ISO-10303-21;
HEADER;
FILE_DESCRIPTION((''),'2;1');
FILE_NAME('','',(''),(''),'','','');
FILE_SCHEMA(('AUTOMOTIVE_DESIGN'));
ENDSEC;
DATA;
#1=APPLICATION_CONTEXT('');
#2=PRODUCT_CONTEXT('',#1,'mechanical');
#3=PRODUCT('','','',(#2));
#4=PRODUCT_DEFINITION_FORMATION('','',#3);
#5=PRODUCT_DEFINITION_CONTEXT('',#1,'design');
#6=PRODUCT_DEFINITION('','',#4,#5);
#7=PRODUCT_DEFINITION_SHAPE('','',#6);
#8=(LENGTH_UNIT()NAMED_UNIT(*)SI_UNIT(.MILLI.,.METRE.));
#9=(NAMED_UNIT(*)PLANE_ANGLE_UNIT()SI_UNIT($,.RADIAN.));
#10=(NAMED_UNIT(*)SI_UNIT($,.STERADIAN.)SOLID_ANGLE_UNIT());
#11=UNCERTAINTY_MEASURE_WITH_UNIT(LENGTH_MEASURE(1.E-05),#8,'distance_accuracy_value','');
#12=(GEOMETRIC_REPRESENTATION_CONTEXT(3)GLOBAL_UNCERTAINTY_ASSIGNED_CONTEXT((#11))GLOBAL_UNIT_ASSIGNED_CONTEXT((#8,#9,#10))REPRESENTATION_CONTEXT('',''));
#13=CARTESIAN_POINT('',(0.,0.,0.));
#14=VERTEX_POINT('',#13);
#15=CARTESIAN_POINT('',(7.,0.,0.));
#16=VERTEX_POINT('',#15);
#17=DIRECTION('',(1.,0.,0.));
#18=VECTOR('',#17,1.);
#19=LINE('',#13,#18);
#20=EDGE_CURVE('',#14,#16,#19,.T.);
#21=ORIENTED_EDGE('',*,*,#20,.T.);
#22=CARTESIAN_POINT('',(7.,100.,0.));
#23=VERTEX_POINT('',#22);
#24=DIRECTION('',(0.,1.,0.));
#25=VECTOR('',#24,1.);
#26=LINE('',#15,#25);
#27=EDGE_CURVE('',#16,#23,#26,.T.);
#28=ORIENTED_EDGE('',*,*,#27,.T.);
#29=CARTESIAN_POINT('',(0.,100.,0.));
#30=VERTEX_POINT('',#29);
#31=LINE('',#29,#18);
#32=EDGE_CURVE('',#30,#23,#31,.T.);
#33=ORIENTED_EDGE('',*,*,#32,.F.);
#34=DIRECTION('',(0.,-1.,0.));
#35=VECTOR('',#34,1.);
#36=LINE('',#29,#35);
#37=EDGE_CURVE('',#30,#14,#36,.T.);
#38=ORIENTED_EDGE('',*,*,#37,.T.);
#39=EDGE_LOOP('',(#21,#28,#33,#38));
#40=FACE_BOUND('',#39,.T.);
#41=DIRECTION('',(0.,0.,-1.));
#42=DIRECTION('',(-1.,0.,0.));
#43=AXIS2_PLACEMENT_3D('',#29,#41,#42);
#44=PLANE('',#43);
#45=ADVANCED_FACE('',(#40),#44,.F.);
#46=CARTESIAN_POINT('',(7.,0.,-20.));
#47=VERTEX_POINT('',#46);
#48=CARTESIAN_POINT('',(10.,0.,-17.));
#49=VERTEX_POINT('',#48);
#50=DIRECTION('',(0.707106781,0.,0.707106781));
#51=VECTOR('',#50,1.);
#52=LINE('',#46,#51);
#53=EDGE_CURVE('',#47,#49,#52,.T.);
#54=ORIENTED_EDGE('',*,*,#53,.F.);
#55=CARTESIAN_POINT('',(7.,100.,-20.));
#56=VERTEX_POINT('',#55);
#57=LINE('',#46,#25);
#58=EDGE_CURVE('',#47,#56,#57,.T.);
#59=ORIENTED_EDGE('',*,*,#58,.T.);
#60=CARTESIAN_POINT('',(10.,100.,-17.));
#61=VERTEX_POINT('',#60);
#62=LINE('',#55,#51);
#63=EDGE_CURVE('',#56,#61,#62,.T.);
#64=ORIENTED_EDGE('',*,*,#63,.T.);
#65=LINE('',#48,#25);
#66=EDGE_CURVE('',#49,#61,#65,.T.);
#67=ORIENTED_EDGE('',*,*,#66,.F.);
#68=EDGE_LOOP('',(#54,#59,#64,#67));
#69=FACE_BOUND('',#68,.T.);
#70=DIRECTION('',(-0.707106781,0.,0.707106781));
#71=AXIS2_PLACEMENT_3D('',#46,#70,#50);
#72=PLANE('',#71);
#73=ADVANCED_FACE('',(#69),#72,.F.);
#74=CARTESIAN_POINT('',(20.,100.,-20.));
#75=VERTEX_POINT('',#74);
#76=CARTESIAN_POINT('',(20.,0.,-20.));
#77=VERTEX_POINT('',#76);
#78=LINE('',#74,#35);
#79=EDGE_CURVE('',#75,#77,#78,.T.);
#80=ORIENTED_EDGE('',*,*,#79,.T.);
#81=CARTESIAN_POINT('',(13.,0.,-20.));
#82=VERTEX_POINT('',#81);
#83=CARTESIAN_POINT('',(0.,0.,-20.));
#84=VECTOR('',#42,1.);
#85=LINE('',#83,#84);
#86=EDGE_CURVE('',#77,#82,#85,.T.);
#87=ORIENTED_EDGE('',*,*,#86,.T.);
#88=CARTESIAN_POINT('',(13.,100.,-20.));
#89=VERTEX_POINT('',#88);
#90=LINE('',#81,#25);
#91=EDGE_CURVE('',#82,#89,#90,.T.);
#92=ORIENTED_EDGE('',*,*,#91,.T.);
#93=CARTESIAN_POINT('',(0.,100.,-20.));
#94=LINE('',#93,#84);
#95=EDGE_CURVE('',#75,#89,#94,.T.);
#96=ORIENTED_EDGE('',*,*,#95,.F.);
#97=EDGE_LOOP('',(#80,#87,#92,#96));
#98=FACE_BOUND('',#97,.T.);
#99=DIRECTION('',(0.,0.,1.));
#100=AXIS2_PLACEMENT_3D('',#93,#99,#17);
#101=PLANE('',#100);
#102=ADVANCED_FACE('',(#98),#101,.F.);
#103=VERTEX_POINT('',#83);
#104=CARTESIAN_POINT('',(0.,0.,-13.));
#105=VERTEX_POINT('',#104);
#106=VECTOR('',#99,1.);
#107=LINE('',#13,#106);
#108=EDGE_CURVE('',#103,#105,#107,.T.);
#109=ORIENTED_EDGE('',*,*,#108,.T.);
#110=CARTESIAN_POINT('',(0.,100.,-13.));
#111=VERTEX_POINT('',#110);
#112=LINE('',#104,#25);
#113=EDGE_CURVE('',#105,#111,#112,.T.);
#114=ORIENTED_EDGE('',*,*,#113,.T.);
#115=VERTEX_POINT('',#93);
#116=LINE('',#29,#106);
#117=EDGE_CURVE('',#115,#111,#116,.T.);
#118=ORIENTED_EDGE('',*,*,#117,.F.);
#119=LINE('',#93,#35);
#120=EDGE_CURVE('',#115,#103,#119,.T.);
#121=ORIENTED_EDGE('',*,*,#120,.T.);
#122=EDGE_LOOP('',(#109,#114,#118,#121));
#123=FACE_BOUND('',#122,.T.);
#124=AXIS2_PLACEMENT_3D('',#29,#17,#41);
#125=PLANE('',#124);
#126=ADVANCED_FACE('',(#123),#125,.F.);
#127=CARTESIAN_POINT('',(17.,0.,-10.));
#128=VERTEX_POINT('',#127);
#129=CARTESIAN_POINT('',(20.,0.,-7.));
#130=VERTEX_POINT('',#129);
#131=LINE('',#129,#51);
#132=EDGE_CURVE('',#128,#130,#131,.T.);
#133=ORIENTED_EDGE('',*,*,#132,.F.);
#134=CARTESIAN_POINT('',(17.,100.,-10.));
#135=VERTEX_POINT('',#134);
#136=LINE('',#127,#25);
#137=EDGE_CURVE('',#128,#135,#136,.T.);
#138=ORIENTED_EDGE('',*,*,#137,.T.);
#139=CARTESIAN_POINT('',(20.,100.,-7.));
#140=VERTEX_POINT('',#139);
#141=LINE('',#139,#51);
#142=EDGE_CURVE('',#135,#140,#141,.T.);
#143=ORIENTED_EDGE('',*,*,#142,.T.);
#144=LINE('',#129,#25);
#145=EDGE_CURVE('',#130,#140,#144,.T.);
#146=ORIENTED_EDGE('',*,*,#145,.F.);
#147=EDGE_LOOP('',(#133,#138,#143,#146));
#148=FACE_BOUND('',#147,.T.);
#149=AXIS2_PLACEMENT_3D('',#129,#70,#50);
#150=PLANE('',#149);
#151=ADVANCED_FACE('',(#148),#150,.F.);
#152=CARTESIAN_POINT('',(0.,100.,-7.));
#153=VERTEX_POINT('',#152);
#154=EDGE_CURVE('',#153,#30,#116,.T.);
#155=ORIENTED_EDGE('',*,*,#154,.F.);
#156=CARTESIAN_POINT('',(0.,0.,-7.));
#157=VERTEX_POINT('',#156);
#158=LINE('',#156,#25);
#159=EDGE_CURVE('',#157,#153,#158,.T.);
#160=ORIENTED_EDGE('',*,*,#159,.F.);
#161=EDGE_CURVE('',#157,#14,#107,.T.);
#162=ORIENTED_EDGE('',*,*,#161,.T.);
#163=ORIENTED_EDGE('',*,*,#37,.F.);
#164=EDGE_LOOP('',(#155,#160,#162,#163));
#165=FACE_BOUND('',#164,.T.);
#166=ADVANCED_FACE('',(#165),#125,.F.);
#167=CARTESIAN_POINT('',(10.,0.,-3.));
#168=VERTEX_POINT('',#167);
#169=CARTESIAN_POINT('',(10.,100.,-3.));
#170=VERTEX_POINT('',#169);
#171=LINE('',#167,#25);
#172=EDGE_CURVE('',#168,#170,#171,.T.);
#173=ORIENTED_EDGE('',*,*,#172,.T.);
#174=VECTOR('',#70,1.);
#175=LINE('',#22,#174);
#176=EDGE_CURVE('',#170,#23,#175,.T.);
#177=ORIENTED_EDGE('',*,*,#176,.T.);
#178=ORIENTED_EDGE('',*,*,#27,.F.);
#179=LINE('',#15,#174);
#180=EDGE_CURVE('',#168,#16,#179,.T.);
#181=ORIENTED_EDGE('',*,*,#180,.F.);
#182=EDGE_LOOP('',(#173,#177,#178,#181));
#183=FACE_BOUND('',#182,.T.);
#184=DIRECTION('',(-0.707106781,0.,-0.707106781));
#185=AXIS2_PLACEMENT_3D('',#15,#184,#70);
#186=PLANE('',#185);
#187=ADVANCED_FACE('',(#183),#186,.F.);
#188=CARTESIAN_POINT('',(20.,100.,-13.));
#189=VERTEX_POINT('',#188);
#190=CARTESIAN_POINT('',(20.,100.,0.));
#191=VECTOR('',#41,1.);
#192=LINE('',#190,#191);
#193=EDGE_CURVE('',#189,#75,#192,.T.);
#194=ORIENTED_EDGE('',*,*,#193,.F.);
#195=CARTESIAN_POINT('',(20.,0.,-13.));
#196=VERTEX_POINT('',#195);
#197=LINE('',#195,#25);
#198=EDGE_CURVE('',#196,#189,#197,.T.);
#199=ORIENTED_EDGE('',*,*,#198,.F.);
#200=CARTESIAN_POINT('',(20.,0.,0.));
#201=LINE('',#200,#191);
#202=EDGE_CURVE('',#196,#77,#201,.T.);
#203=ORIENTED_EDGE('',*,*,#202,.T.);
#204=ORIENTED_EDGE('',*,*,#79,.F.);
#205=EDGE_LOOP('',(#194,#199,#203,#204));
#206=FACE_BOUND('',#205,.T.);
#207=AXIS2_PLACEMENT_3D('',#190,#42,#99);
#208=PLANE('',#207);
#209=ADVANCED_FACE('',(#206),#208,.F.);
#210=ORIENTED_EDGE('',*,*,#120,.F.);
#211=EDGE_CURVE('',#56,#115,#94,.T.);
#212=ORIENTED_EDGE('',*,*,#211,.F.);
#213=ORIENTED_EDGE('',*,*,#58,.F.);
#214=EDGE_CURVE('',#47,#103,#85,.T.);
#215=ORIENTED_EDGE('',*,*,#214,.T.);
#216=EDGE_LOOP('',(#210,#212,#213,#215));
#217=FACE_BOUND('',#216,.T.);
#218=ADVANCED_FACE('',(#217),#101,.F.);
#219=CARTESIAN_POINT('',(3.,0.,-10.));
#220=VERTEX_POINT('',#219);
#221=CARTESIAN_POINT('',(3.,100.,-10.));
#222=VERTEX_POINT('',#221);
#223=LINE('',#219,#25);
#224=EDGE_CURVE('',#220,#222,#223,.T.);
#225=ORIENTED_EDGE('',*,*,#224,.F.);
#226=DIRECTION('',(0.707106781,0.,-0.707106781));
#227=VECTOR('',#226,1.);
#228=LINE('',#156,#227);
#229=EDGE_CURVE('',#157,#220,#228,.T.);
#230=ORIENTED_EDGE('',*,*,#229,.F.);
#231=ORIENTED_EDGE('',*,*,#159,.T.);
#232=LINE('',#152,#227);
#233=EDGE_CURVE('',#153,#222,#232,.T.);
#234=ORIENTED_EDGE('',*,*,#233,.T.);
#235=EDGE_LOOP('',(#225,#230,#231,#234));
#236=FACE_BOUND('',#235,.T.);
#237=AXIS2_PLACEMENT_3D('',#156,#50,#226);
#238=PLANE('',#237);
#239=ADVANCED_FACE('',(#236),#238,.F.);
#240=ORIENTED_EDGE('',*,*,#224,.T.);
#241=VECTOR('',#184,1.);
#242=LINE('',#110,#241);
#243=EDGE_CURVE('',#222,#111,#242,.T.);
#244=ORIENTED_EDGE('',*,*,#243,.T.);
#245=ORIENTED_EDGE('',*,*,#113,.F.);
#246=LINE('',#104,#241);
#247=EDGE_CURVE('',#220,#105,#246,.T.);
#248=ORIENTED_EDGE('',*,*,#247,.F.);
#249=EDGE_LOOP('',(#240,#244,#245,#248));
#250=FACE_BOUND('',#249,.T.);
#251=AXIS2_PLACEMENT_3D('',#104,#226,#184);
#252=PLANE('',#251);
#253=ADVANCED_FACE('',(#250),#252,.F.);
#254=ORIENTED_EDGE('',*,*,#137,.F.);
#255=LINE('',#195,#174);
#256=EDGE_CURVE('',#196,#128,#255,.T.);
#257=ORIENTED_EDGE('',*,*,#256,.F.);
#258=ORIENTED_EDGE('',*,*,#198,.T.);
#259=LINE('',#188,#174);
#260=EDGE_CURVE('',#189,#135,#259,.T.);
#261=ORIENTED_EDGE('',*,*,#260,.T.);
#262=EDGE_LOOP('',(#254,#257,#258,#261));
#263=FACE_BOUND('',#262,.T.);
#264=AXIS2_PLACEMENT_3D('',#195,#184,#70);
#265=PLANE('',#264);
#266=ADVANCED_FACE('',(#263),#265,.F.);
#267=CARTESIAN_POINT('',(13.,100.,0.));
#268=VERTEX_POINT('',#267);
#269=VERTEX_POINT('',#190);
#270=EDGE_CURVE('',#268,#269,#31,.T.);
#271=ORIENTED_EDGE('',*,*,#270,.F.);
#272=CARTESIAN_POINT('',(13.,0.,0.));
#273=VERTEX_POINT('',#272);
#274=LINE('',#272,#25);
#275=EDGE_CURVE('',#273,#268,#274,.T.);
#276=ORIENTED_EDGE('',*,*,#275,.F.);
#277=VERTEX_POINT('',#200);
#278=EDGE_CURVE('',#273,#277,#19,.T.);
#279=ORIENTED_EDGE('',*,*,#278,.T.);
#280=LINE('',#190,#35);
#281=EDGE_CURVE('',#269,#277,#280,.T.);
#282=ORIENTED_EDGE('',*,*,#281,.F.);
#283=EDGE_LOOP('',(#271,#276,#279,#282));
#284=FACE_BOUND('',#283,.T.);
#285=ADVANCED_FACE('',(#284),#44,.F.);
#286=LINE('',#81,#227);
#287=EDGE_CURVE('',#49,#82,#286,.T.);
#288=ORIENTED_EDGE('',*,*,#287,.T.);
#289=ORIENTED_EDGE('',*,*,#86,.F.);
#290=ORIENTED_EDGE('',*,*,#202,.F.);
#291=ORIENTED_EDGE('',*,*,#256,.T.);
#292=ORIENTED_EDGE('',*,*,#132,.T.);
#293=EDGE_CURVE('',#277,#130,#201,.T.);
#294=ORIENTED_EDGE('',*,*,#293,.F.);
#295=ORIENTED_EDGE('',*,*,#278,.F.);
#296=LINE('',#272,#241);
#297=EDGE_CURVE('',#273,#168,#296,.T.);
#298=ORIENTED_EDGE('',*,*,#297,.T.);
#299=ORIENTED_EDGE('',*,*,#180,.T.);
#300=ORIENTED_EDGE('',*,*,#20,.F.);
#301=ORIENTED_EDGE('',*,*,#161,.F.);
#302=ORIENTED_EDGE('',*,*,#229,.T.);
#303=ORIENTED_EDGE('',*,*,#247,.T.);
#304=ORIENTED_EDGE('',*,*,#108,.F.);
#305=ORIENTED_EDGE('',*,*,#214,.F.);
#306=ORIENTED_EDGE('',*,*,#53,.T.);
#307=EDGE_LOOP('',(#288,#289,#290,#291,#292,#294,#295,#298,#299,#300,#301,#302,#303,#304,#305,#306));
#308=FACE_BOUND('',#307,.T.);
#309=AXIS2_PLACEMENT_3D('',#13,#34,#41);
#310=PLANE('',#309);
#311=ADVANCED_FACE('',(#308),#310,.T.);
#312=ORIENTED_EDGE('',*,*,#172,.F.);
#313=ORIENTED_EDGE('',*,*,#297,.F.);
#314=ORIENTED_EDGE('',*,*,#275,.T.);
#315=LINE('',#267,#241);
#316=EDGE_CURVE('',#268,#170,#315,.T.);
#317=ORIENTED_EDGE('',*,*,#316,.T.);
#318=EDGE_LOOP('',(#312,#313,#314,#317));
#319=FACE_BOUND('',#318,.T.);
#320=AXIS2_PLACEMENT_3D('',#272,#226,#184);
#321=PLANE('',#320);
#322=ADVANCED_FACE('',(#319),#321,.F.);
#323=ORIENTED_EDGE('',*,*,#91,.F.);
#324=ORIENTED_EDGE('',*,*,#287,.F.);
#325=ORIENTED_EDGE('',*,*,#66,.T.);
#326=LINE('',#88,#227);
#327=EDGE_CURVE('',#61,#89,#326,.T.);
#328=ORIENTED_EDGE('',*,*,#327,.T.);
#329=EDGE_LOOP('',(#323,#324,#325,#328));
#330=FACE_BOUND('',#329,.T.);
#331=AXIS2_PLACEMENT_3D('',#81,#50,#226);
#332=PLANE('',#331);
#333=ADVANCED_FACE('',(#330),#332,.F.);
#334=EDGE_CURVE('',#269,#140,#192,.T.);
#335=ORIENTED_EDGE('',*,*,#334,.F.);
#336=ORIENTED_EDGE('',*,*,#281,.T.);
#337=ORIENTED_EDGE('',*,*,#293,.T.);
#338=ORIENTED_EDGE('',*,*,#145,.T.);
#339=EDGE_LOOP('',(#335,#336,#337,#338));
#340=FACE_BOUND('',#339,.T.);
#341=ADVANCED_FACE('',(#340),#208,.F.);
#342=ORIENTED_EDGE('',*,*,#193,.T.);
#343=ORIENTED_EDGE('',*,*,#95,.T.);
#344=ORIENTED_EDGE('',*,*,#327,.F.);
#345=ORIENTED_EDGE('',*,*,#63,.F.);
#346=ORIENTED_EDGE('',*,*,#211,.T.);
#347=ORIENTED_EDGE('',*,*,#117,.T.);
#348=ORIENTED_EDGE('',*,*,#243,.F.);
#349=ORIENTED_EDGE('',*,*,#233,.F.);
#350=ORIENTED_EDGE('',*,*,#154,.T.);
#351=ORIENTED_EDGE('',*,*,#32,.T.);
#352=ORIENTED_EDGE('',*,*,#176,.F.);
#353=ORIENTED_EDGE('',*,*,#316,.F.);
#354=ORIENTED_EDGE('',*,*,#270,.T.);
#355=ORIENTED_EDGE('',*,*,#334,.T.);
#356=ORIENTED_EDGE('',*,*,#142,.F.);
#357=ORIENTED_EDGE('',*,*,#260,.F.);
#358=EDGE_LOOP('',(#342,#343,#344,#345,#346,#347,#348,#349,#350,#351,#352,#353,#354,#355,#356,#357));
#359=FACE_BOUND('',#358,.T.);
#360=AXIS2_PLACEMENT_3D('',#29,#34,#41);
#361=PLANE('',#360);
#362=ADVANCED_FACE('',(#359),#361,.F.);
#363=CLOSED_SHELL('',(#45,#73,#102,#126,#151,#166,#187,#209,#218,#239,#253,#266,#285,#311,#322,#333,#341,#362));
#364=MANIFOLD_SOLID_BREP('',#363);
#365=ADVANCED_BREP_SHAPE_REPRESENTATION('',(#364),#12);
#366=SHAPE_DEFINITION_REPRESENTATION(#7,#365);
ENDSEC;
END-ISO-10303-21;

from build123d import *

# Parameters (mm, degrees)
SKIZZE1_W                       = 20
SKIZZE1_H                       = 20
AUFSATZ_LINEAR_AUSTRAGEN1_DEPTH = 100
SCHNITT_LINEAR_AUSTRAGEN1_DEPTH = 104.923048454


with BuildPart() as part:
    # Skizze1 → Aufsatz-Linear austragen1 (new body)
    with BuildSketch(Plane(origin=(0, 0, 0), x_dir=(1, 0, 0), z_dir=(0, 1, 0))):
        with Locations((10, 10)):
            Rectangle(SKIZZE1_W, SKIZZE1_H)
    extrude(amount=AUFSATZ_LINEAR_AUSTRAGEN1_DEPTH)

    # Skizze2 → Schnitt-Linear austragen1 (cut, through all)
    with BuildSketch(Plane(origin=(0, 100, 0), x_dir=(1, 0, 0), z_dir=(0, 1, 0))):
        Polygon((7, 20), (10, 17), (13, 20), align=None)
        Polygon((20, 13), (17, 10), (20, 7), align=None)
        Polygon((0, 7), (0, 13), (3, 10), align=None)
        Polygon((7, 0), (13, 0), (10, 3), align=None)
    extrude(amount=-SCHNITT_LINEAR_AUSTRAGEN1_DEPTH, mode=Mode.SUBTRACT)


solid = part.part
